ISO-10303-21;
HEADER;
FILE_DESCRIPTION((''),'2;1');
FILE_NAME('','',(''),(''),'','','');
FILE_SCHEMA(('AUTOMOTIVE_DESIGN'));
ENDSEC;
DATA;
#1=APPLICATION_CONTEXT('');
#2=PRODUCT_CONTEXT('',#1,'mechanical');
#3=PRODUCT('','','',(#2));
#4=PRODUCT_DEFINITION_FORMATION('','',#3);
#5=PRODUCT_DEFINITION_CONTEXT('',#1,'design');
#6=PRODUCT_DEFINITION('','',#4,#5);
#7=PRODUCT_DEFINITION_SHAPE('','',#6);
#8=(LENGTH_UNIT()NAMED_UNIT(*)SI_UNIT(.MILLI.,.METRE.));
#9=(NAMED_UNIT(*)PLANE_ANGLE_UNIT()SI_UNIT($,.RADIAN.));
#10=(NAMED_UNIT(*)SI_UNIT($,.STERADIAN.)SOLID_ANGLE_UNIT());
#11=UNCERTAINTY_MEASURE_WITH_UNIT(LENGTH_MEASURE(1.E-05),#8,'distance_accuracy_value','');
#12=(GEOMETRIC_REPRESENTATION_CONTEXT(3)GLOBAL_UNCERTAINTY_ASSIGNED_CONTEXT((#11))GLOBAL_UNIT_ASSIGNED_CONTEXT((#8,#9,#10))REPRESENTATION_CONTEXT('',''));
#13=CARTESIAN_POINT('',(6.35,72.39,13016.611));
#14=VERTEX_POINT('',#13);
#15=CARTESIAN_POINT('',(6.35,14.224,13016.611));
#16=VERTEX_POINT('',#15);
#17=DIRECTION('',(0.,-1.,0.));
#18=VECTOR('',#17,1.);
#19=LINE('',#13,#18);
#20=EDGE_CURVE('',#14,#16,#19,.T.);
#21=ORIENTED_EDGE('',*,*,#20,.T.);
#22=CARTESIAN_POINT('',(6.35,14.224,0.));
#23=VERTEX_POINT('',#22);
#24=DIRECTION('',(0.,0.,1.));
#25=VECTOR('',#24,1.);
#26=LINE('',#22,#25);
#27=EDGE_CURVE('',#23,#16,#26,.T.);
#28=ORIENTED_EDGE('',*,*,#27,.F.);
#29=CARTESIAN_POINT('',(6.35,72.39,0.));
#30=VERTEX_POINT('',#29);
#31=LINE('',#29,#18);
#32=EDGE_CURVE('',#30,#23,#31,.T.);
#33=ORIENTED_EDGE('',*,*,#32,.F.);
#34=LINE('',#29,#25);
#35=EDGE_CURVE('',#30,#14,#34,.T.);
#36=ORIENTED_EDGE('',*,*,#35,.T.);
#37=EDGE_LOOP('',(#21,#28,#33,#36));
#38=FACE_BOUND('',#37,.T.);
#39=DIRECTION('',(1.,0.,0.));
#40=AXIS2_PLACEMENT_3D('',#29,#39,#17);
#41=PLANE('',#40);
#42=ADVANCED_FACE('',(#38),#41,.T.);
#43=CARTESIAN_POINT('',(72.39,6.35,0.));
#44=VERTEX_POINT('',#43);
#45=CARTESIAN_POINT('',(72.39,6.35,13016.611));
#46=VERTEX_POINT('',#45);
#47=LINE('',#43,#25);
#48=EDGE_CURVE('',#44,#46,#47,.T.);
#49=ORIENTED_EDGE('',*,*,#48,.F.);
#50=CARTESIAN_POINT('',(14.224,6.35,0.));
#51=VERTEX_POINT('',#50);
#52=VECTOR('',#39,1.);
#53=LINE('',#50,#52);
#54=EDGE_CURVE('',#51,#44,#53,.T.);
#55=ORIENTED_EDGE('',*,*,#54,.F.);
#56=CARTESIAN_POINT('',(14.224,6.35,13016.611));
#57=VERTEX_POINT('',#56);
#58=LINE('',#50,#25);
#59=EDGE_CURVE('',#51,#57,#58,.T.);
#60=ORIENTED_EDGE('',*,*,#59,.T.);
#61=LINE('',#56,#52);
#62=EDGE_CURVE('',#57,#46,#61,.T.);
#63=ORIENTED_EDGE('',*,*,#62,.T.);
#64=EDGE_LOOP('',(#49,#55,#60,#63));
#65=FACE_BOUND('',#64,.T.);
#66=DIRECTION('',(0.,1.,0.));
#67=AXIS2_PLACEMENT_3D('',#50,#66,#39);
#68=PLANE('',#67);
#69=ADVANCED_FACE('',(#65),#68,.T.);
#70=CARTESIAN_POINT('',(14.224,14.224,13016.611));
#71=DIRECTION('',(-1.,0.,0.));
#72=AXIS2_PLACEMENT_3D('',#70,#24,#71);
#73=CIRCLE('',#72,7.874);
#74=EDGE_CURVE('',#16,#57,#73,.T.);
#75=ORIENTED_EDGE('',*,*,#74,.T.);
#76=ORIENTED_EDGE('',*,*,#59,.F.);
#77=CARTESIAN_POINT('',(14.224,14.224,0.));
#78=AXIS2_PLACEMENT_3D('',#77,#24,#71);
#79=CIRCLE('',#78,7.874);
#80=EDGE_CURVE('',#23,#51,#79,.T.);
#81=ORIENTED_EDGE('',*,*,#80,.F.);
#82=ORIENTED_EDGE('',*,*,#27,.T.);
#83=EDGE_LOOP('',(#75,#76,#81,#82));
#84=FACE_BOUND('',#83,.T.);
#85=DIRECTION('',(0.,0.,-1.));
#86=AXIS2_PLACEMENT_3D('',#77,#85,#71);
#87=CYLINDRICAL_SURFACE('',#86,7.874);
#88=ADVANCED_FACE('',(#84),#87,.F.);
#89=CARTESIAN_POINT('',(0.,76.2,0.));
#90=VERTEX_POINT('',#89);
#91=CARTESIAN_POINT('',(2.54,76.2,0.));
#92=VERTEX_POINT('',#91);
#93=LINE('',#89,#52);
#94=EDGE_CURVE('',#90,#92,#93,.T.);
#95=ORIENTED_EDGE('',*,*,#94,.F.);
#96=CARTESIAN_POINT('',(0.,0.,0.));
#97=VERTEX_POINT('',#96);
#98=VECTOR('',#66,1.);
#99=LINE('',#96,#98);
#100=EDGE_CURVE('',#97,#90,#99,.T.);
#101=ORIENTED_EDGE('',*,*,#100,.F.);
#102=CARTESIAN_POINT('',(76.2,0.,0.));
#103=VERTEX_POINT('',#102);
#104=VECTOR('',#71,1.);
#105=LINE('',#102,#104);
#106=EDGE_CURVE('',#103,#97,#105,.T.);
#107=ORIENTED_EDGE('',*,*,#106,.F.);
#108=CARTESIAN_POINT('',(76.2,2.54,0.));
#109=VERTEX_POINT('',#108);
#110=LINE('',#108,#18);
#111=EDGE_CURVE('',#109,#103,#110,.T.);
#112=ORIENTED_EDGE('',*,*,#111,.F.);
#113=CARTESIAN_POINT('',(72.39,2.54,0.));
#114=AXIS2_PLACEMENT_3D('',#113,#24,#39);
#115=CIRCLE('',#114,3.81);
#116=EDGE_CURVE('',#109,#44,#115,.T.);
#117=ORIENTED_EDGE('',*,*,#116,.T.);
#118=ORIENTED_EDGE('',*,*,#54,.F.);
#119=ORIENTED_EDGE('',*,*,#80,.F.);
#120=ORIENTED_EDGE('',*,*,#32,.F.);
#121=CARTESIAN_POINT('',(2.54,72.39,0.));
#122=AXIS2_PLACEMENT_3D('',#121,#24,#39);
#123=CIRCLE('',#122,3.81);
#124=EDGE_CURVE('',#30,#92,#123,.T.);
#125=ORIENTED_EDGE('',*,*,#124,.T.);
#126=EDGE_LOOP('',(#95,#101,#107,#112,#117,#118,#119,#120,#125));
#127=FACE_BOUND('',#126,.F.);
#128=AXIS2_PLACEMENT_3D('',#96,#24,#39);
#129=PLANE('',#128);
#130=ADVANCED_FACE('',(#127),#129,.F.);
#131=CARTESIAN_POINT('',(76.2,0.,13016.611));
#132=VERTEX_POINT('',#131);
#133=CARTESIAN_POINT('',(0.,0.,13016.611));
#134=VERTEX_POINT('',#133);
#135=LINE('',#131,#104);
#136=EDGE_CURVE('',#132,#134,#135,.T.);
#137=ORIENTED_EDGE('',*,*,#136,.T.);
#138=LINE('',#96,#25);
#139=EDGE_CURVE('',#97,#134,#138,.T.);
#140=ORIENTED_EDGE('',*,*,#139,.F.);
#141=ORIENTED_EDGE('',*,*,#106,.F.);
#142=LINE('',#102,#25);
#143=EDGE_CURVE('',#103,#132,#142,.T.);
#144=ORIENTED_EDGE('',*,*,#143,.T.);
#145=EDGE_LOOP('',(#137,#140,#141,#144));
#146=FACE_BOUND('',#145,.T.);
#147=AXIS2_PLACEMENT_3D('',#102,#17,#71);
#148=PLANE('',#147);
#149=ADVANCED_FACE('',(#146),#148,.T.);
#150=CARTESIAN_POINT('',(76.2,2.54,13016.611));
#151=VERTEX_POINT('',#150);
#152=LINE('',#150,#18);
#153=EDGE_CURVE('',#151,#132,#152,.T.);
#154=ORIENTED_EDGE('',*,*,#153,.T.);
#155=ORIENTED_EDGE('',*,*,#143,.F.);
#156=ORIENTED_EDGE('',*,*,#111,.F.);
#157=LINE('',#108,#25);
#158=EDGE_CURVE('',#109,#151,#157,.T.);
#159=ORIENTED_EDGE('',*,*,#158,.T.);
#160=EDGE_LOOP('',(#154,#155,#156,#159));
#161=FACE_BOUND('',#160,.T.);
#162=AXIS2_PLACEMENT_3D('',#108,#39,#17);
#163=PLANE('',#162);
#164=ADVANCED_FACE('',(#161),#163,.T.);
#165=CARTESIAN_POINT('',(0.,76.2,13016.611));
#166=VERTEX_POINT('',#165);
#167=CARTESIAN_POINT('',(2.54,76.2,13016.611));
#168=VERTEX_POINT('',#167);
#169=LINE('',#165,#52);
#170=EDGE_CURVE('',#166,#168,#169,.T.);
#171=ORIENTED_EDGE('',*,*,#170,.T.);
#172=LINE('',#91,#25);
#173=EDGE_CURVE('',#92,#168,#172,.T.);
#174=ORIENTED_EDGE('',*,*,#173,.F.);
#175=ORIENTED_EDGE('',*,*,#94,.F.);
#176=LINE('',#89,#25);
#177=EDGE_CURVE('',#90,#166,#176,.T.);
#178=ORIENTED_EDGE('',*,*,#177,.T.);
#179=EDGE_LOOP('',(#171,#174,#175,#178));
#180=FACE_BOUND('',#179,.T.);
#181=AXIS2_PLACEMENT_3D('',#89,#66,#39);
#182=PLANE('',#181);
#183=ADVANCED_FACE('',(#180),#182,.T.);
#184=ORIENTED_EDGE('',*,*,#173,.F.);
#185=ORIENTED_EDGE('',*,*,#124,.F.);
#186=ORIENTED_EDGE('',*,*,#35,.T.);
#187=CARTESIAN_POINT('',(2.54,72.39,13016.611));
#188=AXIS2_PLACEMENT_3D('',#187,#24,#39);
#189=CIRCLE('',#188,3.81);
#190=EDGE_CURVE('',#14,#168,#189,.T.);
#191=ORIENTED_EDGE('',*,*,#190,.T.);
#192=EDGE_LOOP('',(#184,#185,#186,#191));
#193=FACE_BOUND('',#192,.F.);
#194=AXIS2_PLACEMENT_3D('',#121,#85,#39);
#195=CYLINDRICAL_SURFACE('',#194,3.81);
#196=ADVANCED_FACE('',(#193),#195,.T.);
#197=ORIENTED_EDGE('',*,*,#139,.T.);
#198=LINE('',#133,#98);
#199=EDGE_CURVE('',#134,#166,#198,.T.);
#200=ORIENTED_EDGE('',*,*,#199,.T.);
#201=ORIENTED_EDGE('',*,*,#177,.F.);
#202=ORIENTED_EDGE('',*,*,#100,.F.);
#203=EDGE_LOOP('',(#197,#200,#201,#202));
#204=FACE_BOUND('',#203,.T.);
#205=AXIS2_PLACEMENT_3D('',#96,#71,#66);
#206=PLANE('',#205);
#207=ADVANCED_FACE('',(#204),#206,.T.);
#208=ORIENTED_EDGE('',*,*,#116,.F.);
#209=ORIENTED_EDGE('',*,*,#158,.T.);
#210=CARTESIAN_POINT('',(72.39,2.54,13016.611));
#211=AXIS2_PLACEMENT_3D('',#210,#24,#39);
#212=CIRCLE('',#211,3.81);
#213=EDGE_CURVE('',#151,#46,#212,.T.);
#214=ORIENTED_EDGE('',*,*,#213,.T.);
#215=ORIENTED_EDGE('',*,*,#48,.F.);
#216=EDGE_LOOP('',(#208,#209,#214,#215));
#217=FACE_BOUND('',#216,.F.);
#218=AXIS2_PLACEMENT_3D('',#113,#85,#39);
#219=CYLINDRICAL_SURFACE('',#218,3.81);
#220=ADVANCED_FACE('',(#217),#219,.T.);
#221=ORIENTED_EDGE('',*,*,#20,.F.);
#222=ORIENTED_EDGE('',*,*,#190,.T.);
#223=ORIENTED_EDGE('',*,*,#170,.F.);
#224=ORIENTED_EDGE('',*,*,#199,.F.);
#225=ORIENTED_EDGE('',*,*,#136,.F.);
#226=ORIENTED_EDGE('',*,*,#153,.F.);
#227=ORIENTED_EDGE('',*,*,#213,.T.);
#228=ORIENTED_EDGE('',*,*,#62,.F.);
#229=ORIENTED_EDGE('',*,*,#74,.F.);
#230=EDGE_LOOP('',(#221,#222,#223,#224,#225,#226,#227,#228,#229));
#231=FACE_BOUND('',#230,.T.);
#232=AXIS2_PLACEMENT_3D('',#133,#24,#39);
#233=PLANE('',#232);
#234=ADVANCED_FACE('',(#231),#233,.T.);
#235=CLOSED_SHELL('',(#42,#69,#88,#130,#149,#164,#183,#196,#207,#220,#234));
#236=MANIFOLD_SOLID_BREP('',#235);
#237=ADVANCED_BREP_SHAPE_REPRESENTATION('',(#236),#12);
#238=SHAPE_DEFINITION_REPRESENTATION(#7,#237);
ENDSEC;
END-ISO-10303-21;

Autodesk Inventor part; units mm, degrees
ref_plane "YZ Plane" through (0, 0, 0) normal (1, 0, 0) x (0, 1, 0)
ref_plane "Start plane" through (0, 0, 0) normal (0, 0, 1) x (1, 0, 0)
ref_plane "End plane" through (0, 0, 13016.611) normal (0, 0, 1) x (1, 0, 0)
sketch "Sketch" plane through (0, 0, 0) normal (0, 0, 1) x (1, 0, 0)
  line L0 (76.2, 0) -> (0, 0)
  line L1 (0, 0) -> (0, 76.2)
  line L2 (0, 76.2) -> (2.54, 76.2)
  line L3 (6.35, 72.39) -> (6.35, 14.224)
  line L4 (14.224, 6.35) -> (72.39, 6.35)
  line L5 (76.2, 2.54) -> (76.2, 0)
  line L6 (0, -11.0414) -> (0, 31.5385) construction
  line L7 (-11.0414, 0) -> (31.5385, 0) construction
  arc A0 (6.35, 14.224) -> (14.224, 6.35) centre (14.224, 14.224) ccw
  arc A1 (6.35, 72.39) -> (2.54, 76.2) centre (2.54, 72.39) ccw
  arc A2 (76.2, 2.54) -> (72.39, 6.35) centre (72.39, 2.54) ccw
  line L8 (0, 94.5952) -> (0, -28.6475) construction
  line L9 (-28.6475, 0) -> (94.5952, 0) construction
  point P0 (6.35, 76.2)
  point P1 (6.35, 6.35)
  point P2 (76.2, 6.35)
  dimension "d0" = 76.2
  dimension "d1" = 76.2
  dimension "d2" = 6.35
  dimension "d3" = 6.35
  dimension "d10" = 0
  dimension "d11" = 0
  dimension "d14" = 7.874
  dimension "d15" = 3.81
extrude "Body" add sketch "Sketch" along normal up to surface (13016.611 mm away) from surface at 0
sketch "Sketch3" plane through (0, 0, 0) normal (0, 0, 1) x (1, 0, 0)
  line L0 (0, 0) -> (10, 0)
ref_plane "Work Plane3" through (0, 0, 0) normal (0, -1, 0) x (1, 0, 0)
sketch "Sketch4" plane through (0, 0, 0) normal (0, -1, 0) x (1, 0, 0)
  line L0 (-2, 0) -> (12, 0)
  line L1 (-2, 13016.611) -> (12, 13016.611)
  dimension "d17" = 13016.611
equation "\"d0\" = G_H"
equation "\"d1\" = G_H"
equation "\"d2\" = G_T"
equation "\"d3\" = G_T"
equation "\"d14\" = G_IR"
equation "\"d15\" = G_ER"
equation "\"d4\" = G_L"
equation "\"G_H\" = 76.2"
equation "\"G_T\" = 6.35"
equation "\"G_ER\" = 3.81"
equation "\"G_IR\" = 7.874"
equation "\"G_L\" = d17"
equation "\"ex\" = 0"
equation "\"G_OFFSET_START\" = 0"
equation "\"G_OFFSET_END\" = 0"
equation "\"d13\" = G_OFFSET_END + B_L"
equation "\"B_L\" = 13016.611"
properties part number "ANSI L 3 x 3 x 1_4 00000001" material "Aluminum 6061"
